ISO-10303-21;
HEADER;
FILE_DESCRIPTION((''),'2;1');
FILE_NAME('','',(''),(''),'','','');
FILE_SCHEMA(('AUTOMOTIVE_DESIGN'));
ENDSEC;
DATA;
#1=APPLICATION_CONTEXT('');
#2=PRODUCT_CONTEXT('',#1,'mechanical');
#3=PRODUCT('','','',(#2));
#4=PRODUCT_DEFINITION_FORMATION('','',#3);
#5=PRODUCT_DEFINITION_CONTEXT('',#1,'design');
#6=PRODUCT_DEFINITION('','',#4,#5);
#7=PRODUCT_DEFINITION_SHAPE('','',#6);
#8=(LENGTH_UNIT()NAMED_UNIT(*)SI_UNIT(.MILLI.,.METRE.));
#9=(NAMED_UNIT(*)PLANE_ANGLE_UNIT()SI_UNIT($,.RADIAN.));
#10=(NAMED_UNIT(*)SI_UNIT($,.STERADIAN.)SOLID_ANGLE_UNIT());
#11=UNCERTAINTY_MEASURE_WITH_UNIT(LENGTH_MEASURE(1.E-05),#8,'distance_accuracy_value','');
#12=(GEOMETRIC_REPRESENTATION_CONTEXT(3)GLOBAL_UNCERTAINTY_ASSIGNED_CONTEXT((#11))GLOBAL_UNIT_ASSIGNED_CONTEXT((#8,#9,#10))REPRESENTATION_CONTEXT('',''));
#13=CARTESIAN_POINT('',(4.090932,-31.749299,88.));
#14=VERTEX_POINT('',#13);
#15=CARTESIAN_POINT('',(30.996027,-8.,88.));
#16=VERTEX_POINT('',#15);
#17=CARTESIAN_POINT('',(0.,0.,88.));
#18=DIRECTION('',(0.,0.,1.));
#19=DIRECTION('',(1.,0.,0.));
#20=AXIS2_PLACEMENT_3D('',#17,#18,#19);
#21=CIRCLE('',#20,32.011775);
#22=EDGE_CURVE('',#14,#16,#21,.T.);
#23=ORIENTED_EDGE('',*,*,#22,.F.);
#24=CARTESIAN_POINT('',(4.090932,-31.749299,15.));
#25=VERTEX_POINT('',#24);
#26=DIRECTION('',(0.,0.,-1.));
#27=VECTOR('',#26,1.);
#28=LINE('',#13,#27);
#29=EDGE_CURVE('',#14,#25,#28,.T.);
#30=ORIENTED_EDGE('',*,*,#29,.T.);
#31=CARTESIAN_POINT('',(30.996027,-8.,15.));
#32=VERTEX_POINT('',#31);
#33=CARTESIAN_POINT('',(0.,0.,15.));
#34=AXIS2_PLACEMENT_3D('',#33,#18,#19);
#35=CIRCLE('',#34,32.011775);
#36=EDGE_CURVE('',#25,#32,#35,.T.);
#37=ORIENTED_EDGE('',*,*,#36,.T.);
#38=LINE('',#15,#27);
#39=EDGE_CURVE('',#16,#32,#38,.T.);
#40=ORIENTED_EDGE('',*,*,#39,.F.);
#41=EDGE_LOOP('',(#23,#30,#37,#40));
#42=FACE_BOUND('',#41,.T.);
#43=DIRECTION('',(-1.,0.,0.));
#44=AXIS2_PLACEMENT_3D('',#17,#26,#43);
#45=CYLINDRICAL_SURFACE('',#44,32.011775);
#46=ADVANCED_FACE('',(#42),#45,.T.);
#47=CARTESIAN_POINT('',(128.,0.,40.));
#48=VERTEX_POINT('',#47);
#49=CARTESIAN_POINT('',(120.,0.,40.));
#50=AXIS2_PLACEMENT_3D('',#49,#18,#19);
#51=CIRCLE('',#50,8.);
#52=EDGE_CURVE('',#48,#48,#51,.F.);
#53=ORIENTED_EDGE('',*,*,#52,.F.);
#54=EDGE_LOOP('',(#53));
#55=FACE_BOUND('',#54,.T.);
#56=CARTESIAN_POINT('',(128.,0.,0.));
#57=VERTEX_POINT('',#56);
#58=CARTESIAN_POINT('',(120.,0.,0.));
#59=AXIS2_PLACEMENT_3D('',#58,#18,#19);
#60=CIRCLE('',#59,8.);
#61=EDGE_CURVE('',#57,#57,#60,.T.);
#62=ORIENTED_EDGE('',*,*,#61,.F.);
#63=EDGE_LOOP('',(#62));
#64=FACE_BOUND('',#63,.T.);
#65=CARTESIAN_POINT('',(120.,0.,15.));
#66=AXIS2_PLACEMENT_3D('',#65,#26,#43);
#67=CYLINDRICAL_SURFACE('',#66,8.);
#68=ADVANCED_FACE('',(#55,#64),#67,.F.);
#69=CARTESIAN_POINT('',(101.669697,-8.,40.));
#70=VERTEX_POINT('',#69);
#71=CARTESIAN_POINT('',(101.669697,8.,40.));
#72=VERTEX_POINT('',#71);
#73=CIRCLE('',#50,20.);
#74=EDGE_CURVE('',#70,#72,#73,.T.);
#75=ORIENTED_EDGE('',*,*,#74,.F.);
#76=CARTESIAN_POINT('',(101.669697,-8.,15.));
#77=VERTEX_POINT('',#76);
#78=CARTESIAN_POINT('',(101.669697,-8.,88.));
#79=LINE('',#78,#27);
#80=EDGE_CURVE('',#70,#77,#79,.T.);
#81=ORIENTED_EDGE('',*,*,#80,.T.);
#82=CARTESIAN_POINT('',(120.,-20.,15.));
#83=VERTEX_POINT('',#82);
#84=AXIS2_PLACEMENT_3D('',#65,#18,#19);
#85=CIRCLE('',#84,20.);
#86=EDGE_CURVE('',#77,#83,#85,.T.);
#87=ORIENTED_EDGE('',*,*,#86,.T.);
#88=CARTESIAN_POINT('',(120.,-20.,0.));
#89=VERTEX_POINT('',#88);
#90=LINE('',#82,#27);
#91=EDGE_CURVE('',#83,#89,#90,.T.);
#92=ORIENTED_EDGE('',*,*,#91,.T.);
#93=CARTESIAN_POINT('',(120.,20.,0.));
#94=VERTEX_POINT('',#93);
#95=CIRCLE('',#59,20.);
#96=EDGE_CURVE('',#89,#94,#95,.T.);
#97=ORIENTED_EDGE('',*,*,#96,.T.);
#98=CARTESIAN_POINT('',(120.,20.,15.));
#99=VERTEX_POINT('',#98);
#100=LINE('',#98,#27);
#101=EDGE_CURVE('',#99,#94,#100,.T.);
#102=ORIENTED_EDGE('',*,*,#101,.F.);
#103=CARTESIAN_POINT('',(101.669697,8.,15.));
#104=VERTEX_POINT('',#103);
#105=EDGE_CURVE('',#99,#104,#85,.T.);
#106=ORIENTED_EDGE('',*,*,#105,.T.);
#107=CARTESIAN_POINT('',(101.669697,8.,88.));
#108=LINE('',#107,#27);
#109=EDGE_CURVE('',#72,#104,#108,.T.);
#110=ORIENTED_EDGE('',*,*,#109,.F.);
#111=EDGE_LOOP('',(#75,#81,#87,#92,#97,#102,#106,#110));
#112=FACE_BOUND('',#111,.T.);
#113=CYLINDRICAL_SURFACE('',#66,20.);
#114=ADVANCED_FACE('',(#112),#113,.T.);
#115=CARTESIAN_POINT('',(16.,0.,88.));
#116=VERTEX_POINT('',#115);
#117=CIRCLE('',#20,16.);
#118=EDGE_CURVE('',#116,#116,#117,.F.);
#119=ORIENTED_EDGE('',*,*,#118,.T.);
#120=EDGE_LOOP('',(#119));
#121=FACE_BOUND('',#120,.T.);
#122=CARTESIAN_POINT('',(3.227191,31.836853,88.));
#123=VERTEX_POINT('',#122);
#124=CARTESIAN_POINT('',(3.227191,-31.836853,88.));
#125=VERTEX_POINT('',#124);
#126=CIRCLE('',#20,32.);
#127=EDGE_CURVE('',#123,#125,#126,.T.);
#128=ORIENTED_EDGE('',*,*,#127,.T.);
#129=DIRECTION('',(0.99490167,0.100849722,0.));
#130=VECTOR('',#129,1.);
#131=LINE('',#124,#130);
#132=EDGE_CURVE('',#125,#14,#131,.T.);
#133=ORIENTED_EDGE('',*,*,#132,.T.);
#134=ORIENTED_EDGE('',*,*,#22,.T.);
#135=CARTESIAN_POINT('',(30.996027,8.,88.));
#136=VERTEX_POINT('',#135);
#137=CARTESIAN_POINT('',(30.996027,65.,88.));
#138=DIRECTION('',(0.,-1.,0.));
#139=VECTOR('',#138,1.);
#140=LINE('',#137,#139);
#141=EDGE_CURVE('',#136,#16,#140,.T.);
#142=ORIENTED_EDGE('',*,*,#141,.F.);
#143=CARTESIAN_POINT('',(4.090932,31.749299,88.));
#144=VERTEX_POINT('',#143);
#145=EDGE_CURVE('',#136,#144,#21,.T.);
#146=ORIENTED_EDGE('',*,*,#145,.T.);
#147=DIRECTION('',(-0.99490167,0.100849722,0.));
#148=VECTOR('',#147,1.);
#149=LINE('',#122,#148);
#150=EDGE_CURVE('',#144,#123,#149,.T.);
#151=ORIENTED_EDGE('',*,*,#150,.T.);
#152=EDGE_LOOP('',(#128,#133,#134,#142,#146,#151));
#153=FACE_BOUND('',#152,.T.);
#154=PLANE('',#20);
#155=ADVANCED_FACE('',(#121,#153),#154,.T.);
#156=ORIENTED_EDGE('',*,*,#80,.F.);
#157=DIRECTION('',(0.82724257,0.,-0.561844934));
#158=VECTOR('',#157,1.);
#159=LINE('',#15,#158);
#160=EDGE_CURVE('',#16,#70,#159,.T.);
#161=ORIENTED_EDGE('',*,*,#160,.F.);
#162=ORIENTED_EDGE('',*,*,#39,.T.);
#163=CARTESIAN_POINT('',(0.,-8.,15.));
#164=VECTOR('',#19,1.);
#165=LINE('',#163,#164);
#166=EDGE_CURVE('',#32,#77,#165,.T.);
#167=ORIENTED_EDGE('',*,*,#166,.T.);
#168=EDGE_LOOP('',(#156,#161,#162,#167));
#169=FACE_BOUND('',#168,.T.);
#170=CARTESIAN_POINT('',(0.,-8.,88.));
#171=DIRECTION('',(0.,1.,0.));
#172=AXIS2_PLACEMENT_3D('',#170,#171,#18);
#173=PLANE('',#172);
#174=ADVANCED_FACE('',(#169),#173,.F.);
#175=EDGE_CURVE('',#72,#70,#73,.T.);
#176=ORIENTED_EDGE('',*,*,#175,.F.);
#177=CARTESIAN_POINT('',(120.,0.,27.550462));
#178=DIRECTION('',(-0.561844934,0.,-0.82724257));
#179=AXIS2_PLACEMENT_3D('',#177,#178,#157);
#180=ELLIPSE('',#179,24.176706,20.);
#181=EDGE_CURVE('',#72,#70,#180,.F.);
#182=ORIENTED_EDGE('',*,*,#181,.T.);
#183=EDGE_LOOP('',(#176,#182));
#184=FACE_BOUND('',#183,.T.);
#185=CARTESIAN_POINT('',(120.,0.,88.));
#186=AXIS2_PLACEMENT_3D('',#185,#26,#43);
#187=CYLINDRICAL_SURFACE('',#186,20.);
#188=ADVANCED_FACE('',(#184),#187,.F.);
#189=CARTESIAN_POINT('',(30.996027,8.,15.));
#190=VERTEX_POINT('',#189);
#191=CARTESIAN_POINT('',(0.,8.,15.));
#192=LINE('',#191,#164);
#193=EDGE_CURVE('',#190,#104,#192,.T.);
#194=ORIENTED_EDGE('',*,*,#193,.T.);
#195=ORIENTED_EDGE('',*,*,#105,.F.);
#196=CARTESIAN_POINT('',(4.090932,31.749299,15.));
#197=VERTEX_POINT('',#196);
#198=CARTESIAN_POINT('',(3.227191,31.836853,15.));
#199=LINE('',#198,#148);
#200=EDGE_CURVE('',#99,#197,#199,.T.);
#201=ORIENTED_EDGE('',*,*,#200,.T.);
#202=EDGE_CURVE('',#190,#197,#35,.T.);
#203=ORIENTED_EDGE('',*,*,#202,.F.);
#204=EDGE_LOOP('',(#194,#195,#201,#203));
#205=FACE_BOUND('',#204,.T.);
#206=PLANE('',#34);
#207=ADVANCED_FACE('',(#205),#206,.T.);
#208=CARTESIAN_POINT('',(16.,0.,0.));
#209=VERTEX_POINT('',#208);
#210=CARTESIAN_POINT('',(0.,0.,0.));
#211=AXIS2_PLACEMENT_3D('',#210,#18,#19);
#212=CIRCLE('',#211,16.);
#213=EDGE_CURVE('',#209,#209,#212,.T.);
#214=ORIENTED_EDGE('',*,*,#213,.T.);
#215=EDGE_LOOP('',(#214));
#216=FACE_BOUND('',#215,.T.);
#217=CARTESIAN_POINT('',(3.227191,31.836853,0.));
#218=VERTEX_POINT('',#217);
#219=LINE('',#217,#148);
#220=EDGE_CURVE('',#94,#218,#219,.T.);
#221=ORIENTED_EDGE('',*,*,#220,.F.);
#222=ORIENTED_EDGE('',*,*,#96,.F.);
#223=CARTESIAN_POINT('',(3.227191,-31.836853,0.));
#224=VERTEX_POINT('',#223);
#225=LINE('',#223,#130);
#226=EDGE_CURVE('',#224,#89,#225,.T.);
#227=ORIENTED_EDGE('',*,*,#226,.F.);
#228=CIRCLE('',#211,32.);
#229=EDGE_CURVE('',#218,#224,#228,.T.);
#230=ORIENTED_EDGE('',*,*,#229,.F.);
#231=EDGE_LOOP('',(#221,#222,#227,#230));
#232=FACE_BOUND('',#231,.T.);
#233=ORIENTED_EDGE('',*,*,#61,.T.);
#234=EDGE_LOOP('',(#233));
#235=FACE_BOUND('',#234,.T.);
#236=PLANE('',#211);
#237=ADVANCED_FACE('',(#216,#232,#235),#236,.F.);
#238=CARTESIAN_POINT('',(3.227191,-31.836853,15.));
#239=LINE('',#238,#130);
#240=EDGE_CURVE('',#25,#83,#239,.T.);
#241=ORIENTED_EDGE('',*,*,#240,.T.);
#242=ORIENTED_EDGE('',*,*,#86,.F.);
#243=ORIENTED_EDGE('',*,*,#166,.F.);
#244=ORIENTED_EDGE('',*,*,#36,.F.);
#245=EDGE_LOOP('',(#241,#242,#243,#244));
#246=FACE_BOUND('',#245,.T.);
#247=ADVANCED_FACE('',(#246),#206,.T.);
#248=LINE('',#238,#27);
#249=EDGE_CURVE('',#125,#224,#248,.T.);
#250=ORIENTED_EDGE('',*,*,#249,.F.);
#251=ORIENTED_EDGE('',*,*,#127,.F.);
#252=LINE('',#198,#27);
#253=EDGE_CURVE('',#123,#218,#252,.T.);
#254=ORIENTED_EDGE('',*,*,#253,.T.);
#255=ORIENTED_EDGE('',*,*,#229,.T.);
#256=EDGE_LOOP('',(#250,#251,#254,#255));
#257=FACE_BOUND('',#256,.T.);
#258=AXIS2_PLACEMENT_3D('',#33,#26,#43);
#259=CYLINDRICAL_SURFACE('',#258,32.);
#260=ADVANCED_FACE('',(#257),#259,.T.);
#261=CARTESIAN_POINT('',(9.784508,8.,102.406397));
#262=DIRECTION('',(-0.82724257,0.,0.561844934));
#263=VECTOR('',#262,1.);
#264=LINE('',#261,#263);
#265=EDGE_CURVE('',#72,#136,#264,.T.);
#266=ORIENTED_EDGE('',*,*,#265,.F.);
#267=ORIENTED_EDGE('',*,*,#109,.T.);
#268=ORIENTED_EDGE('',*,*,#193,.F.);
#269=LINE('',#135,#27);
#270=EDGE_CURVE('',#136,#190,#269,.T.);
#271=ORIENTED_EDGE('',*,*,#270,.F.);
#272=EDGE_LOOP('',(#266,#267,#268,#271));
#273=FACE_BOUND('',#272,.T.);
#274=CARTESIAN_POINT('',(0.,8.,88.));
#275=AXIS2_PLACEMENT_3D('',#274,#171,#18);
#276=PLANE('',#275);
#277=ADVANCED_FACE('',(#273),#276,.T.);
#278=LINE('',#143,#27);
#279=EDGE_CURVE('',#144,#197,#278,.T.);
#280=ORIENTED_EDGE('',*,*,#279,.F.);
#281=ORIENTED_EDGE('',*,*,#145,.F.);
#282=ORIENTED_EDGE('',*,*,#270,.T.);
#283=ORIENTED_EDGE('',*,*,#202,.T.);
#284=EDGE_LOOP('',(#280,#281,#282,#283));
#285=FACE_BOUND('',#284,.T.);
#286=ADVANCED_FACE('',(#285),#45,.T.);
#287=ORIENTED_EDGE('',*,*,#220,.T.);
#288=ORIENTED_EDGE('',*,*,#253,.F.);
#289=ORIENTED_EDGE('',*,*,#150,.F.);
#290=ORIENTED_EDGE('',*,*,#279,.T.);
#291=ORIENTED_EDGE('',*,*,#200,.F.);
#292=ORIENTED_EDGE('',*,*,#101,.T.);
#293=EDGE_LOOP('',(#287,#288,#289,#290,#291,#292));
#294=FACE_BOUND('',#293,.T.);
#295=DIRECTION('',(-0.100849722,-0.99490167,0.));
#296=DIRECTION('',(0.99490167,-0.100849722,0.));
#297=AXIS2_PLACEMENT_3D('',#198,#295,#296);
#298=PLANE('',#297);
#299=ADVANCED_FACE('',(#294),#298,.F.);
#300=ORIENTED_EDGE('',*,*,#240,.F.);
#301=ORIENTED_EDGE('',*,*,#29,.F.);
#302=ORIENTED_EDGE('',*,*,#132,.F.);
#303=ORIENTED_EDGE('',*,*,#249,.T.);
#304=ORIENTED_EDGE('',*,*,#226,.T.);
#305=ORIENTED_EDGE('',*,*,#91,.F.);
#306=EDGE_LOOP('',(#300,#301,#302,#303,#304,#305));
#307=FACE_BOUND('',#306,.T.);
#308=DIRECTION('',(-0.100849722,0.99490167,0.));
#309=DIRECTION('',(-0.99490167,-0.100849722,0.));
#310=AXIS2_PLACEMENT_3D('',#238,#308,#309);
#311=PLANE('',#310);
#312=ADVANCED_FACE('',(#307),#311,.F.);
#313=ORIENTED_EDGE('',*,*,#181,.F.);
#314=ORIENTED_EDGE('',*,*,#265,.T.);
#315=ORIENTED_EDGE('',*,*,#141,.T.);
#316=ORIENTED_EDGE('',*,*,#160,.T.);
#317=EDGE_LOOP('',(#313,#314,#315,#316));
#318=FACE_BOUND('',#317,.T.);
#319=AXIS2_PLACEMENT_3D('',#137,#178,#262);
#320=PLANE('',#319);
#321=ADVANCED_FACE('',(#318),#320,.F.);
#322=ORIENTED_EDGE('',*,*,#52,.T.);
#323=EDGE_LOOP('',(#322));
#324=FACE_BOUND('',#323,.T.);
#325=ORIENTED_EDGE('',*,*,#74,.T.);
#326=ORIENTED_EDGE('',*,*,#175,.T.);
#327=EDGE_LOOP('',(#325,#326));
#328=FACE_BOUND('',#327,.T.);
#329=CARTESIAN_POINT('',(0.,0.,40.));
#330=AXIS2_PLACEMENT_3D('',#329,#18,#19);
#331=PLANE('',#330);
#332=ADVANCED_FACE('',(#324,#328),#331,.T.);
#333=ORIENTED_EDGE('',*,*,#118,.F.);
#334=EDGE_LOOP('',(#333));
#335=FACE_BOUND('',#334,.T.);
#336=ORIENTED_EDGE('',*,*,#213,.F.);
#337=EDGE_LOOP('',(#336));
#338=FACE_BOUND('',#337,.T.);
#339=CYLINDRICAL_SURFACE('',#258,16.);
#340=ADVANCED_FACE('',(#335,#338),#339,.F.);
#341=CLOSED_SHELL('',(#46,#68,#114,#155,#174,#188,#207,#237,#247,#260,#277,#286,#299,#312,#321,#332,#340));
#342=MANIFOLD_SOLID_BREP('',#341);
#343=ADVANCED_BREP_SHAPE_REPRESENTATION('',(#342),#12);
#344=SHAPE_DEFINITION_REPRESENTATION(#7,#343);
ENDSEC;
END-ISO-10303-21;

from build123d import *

# Parameters (mm, degrees)
SKETCH1_R           = 16
SKETCH1_R_2         = 8
BOSS_EXTRUDE1_DEPTH = 15
SKETCH2_R           = 16
BOSS_EXTRUDE2_DEPTH = 73
SKETCH2_3_R         = 8
BOSS_EXTRUDE3_DEPTH = 25
BOSS_EXTRUDE7_DEPTH = 73
CUT_EXTRUDE1_DEPTH  = 73


with BuildPart() as part:
    # Sketch1 → Boss-Extrude1 (new body)
    with BuildSketch(Plane(origin=(0, 0, 0), x_dir=(0, 1, 0), z_dir=(0, 0, 1))):
        with BuildLine():
            Line((-31.836853451, -3.227191092), (-20, -120))
            ThreePointArc((-20, -120), (0, -140), (20, -120))
            Line((20, -120), (31.836853451, -3.227191092))
            ThreePointArc((31.836853451, -3.227191092), (0, 32), (-31.836853451, -3.227191092))
        make_face()
        with Locations(Location((0, 0, 0), (0, 0, 270))):
            Circle(SKETCH1_R, mode=Mode.SUBTRACT)
        with Locations(Location((0, -120, 0), (0, 0, 270))):
            Circle(SKETCH1_R_2, mode=Mode.SUBTRACT)
    extrude(amount=BOSS_EXTRUDE1_DEPTH)

    # Sketch2 → Boss-Extrude2 (add)
    with BuildSketch(Plane.XY.offset(15)):
        with BuildLine():
            ThreePointArc((4.090932126, -31.749299027), (24.038632569, -21.139958812), (32.01177462, 0))
            ThreePointArc((32.01177462, 0), (24.038632569, 21.139958812), (4.090932126, 31.749299027))
            Line((4.090932126, 31.749299027), (3.227191092, 31.836853451))
            ThreePointArc((3.227191092, 31.836853451), (-32, 0), (3.227191092, -31.836853451))
            Line((3.227191092, -31.836853451), (4.090932126, -31.749299027))
        make_face()
        Circle(SKETCH2_R, mode=Mode.SUBTRACT)
    extrude(amount=BOSS_EXTRUDE2_DEPTH)

    # Sketch2<3> → Boss-Extrude3 (add)
    with BuildSketch(Plane.XY.offset(15)):
        with BuildLine():
            ThreePointArc((120, -20), (134.142135624, -14.142135624), (140, 0))
            ThreePointArc((140, 0), (134.142135624, 14.142135624), (120, 20))
            ThreePointArc((120, 20), (100, 0), (120, -20))
        make_face()
        with Locations((120, 0)):
            Circle(SKETCH2_3_R, mode=Mode.SUBTRACT)
    extrude(amount=BOSS_EXTRUDE3_DEPTH)

    # Sketch5 → Boss-Extrude7 (add)
    with BuildSketch(Plane.XY.offset(15)):
        with BuildLine():
            ThreePointArc((30.996027396, 8), (31.756822554, 4.032113045), (32.01177462, 0))
            Line((32.01177462, 0), (100, 0))
            ThreePointArc((100, 0), (100.421873741, 4.086192874), (101.66969722, 8))
            Line((101.66969722, 8), (30.996027396, 8))
        make_face()
        with BuildLine():
            Line((100, 0), (32.01177462, 0))
            ThreePointArc((32.01177462, 0), (31.756822554, -4.032113045), (30.996027396, -8))
            Line((30.996027396, -8), (101.66969722, -8))
            ThreePointArc((101.66969722, -8), (100.421873741, -4.086192874), (100, 0))
        make_face()
    extrude(amount=BOSS_EXTRUDE7_DEPTH)

    # Sketch6 → Cut-Extrude1 (cut)
    with BuildSketch(Plane.XZ.offset(8)):
        Polygon((30.996027396, 88), (101.66969722, 40), (101.66969722, 88), align=None)
    extrude(amount=-CUT_EXTRUDE1_DEPTH, mode=Mode.SUBTRACT)


solid = part.part
